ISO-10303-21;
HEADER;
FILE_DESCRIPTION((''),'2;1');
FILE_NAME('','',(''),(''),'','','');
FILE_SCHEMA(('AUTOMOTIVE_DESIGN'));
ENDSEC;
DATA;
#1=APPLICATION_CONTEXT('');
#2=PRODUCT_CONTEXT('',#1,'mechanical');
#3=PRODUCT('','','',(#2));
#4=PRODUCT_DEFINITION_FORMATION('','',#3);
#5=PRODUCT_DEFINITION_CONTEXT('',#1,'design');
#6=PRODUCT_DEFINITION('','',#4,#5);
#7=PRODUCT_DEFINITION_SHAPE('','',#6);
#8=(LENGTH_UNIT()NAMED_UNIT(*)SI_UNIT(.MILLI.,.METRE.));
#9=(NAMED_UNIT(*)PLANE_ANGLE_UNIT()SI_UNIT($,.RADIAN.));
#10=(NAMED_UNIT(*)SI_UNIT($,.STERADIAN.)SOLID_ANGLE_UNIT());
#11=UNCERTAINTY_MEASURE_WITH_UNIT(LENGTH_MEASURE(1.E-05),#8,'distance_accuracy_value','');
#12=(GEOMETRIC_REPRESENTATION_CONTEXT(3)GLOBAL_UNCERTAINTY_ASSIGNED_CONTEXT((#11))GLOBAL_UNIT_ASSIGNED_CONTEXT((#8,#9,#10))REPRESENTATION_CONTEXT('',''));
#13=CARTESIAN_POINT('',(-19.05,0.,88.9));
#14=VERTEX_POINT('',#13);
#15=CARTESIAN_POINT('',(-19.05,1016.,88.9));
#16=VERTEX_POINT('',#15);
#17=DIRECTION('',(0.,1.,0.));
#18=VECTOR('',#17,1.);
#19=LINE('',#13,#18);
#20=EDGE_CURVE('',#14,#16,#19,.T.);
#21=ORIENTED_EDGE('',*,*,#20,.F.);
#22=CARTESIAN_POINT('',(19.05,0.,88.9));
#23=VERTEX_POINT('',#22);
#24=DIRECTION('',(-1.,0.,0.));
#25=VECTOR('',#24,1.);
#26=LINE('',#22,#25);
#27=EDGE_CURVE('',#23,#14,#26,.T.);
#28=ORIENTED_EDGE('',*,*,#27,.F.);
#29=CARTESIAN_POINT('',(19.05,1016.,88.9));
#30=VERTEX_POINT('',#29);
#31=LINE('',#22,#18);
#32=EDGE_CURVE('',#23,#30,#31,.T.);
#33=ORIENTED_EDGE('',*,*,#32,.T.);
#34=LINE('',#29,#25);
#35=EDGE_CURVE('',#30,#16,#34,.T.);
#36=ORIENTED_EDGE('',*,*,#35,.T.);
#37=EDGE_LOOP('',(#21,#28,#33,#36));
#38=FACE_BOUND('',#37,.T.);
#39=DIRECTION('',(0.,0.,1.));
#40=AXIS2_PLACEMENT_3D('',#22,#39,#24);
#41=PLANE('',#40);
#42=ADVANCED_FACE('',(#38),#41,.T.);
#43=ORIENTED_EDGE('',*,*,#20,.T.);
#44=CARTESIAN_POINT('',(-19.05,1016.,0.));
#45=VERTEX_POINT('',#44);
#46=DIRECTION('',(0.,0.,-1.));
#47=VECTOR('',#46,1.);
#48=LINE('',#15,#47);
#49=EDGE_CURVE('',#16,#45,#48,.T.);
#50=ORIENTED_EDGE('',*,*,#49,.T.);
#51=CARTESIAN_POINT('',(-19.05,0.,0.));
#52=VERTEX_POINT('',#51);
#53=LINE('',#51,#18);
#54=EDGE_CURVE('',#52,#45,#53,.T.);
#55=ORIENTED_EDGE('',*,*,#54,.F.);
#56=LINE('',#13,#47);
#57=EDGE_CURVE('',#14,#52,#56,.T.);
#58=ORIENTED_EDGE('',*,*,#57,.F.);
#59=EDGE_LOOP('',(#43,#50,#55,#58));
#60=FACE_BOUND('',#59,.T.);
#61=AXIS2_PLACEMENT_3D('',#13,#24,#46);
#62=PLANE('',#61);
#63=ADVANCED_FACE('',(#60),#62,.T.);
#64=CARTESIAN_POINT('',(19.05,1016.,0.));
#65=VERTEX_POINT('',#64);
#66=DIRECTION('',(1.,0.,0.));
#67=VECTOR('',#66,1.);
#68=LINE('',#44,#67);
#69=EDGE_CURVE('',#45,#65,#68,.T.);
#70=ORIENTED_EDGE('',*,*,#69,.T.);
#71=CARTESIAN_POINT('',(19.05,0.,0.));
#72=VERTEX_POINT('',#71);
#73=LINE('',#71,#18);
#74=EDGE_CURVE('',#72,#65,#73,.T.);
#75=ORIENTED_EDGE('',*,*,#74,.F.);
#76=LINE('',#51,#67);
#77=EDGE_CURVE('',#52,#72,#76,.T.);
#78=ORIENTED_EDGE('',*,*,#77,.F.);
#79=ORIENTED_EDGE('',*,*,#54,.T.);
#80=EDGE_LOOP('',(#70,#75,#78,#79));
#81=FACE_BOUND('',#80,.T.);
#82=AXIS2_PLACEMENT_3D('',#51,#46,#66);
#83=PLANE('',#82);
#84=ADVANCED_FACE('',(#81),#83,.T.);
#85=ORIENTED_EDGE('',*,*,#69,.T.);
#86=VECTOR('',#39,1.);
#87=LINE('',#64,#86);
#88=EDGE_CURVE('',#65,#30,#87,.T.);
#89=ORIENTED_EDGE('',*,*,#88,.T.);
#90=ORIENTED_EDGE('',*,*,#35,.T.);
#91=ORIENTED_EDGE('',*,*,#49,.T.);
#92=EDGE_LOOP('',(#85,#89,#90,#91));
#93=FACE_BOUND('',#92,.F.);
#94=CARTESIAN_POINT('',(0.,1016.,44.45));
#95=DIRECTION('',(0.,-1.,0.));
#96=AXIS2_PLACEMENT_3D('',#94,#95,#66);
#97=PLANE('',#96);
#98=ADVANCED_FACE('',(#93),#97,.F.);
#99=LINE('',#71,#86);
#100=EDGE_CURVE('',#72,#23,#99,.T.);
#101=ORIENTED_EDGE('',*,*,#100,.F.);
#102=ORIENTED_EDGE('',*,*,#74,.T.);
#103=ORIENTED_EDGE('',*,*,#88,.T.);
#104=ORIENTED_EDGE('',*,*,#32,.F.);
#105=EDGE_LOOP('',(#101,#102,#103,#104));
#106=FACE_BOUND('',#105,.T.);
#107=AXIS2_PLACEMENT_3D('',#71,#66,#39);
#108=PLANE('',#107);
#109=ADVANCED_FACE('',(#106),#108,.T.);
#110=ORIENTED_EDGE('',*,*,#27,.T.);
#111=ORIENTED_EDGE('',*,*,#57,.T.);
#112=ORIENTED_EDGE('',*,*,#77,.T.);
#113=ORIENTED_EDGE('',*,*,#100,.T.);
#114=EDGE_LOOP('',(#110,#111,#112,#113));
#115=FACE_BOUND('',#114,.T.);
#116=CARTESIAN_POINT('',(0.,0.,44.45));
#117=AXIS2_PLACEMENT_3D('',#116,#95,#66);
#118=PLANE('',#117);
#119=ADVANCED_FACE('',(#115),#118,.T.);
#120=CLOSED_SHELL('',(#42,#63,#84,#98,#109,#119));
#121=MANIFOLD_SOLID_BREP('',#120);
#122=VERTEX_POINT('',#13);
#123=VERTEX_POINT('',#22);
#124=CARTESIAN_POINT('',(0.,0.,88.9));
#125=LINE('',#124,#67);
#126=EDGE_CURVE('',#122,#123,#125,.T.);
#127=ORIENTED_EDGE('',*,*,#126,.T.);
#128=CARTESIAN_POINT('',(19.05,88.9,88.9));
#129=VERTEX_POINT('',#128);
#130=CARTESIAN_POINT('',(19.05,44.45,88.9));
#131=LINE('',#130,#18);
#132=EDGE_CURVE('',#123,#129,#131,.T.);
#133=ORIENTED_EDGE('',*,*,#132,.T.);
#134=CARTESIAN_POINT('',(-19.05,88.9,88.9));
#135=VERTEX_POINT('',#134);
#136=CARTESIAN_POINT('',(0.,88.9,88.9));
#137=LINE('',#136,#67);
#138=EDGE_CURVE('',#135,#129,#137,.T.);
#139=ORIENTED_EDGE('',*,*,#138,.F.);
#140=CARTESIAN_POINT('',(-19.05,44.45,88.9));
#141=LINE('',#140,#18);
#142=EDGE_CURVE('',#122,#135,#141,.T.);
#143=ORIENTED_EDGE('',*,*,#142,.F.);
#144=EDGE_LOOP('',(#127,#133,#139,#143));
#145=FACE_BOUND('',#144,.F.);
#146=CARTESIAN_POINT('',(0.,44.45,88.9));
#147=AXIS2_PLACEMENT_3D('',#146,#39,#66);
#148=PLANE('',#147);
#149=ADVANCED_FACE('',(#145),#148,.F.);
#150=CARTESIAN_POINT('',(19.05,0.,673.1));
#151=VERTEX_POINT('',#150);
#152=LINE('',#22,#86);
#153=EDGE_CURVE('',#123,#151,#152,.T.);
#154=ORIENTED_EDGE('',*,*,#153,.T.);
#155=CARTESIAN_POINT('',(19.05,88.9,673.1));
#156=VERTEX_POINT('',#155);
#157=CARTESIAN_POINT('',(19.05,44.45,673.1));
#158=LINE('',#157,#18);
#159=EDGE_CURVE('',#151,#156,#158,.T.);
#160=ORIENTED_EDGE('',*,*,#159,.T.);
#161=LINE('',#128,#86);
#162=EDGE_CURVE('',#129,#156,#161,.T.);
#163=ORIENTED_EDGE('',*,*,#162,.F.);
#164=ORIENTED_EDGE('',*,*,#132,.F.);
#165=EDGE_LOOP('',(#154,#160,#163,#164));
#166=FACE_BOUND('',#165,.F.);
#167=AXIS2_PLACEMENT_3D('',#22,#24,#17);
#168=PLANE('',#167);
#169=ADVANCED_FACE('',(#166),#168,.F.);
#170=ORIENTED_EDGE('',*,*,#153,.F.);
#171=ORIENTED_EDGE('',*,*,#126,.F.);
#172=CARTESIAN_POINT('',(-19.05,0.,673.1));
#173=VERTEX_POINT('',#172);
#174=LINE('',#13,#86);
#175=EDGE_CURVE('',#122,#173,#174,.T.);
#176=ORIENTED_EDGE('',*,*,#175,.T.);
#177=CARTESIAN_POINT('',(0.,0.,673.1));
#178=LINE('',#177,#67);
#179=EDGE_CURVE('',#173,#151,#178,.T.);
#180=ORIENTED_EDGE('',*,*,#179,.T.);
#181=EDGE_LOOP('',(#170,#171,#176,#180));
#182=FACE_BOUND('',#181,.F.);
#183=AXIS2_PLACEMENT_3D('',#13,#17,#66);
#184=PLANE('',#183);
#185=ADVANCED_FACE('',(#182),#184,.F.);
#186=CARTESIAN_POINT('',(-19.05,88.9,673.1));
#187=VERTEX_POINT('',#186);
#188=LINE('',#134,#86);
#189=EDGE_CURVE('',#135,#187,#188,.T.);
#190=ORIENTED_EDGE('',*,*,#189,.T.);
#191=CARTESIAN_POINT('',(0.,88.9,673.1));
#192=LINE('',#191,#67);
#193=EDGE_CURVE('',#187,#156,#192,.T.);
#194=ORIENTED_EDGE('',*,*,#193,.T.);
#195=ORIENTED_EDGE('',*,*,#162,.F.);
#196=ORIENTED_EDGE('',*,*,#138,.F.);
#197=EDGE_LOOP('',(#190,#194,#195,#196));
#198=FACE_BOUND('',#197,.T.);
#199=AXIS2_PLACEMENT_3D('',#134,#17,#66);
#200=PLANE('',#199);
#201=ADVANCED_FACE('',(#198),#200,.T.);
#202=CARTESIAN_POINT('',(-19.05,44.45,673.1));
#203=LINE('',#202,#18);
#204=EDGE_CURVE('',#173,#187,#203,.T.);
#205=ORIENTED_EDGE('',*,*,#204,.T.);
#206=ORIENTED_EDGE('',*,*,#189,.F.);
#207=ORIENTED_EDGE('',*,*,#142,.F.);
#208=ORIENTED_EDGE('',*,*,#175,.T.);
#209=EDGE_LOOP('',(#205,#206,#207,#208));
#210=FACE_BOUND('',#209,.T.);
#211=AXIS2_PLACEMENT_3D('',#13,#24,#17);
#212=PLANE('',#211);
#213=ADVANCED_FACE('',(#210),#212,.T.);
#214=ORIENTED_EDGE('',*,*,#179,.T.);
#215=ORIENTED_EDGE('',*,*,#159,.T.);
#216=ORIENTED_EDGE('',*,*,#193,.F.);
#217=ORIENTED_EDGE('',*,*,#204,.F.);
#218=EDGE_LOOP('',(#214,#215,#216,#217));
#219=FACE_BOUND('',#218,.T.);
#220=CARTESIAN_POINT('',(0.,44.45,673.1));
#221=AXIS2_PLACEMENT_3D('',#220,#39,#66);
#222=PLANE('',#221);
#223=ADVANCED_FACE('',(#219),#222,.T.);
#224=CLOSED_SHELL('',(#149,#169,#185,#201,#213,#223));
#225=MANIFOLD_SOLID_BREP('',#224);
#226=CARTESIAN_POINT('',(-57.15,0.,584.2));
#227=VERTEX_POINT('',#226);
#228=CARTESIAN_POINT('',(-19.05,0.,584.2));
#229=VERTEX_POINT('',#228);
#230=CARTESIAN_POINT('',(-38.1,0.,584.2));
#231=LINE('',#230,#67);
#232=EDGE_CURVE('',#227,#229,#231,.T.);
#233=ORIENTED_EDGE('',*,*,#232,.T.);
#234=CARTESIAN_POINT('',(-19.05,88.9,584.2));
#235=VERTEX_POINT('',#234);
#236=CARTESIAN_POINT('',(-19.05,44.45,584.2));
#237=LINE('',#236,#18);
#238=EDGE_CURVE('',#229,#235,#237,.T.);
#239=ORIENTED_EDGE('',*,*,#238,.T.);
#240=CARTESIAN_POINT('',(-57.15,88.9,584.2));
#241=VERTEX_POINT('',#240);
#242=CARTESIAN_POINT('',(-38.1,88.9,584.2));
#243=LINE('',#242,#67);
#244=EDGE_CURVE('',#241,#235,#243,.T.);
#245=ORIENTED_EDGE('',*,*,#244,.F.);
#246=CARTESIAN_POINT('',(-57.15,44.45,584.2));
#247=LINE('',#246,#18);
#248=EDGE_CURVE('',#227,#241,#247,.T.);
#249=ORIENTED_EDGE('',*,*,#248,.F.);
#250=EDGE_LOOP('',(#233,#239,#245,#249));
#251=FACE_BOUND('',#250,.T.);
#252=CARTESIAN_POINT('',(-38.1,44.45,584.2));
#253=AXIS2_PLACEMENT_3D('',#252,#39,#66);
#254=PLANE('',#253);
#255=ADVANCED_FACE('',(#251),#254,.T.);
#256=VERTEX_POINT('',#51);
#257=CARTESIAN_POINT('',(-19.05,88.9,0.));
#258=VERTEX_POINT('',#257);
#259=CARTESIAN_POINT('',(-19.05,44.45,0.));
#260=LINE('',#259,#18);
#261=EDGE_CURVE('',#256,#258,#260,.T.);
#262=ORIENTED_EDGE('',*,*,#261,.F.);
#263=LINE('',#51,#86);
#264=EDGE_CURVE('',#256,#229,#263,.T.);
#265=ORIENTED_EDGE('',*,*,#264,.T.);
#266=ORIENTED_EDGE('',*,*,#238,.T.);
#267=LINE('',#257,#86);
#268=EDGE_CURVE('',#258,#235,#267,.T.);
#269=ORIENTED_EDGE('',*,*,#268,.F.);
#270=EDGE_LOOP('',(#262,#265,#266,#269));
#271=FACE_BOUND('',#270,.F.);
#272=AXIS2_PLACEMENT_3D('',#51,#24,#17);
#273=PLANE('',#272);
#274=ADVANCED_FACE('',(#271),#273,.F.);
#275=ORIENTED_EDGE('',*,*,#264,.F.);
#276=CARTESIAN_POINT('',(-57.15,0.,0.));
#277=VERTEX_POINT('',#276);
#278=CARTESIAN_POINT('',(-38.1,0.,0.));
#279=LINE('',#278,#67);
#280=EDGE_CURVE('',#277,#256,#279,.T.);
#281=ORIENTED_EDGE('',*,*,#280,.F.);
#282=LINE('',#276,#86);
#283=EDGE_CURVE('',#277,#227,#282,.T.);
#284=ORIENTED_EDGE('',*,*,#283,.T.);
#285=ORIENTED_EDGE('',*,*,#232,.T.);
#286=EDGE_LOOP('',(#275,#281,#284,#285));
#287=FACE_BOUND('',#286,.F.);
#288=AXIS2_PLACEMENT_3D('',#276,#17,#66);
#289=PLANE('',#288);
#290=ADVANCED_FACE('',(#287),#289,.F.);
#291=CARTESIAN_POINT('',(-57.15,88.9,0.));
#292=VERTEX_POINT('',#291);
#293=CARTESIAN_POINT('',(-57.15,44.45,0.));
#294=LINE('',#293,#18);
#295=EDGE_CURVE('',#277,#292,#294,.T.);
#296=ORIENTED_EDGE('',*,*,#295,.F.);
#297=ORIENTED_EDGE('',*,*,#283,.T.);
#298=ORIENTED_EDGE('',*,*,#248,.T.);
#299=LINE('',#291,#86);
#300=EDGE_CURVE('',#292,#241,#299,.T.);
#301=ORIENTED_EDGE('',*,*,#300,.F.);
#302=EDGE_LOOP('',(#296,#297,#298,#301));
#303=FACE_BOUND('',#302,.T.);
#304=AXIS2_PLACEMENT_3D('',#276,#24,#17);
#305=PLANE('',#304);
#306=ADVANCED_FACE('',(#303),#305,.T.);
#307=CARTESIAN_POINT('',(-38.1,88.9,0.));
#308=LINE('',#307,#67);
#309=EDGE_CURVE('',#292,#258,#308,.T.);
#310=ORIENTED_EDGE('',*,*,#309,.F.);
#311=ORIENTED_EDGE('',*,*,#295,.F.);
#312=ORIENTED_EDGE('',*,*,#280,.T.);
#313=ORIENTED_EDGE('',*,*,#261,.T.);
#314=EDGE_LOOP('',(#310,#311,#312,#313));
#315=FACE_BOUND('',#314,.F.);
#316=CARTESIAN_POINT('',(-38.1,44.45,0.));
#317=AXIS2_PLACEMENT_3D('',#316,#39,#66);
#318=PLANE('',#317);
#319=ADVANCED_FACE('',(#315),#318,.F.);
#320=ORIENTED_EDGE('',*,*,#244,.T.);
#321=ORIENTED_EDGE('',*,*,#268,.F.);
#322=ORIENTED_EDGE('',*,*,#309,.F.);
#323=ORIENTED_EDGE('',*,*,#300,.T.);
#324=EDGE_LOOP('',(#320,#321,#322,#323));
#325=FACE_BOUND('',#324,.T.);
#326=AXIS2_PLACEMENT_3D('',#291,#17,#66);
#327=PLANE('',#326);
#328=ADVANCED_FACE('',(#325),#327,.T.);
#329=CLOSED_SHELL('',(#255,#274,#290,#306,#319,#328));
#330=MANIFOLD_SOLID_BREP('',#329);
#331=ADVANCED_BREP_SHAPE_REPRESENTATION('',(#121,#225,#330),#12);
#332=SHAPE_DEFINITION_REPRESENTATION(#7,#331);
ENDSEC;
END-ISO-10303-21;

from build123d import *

# Parameters (mm, degrees)
F1_DEPTH = 1016
F2_W     = 38.1
F2_H     = 88.9
F3_DEPTH = 584.2
F4_W     = 38.1
F4_H     = 88.9
F5_DEPTH = 584.2


with BuildPart() as f1:
    # F0 (on Front) → F1 (new body)
    with BuildSketch(Plane.XZ):
        Polygon((-19.05, 0), (0, 0), (19.05, 0), (19.05, 88.9), (-19.05, 88.9), align=None)
    extrude(amount=-F1_DEPTH)


with BuildPart() as f3:
    # F2 (on Top) → F3 (new body)
    with BuildSketch(Plane.XY):
        with Locations((-38.1, 44.45)):
            Rectangle(F2_W, F2_H)
    extrude(amount=F3_DEPTH)


with BuildPart() as f5:
    # F4 (on face) → F5 (new body)
    with BuildSketch(Plane.XY.offset(88.9)):
        with Locations((0, 44.45)):
            Rectangle(F4_W, F4_H)
    extrude(amount=F5_DEPTH)


solid = Compound([f1.part, f3.part, f5.part])
